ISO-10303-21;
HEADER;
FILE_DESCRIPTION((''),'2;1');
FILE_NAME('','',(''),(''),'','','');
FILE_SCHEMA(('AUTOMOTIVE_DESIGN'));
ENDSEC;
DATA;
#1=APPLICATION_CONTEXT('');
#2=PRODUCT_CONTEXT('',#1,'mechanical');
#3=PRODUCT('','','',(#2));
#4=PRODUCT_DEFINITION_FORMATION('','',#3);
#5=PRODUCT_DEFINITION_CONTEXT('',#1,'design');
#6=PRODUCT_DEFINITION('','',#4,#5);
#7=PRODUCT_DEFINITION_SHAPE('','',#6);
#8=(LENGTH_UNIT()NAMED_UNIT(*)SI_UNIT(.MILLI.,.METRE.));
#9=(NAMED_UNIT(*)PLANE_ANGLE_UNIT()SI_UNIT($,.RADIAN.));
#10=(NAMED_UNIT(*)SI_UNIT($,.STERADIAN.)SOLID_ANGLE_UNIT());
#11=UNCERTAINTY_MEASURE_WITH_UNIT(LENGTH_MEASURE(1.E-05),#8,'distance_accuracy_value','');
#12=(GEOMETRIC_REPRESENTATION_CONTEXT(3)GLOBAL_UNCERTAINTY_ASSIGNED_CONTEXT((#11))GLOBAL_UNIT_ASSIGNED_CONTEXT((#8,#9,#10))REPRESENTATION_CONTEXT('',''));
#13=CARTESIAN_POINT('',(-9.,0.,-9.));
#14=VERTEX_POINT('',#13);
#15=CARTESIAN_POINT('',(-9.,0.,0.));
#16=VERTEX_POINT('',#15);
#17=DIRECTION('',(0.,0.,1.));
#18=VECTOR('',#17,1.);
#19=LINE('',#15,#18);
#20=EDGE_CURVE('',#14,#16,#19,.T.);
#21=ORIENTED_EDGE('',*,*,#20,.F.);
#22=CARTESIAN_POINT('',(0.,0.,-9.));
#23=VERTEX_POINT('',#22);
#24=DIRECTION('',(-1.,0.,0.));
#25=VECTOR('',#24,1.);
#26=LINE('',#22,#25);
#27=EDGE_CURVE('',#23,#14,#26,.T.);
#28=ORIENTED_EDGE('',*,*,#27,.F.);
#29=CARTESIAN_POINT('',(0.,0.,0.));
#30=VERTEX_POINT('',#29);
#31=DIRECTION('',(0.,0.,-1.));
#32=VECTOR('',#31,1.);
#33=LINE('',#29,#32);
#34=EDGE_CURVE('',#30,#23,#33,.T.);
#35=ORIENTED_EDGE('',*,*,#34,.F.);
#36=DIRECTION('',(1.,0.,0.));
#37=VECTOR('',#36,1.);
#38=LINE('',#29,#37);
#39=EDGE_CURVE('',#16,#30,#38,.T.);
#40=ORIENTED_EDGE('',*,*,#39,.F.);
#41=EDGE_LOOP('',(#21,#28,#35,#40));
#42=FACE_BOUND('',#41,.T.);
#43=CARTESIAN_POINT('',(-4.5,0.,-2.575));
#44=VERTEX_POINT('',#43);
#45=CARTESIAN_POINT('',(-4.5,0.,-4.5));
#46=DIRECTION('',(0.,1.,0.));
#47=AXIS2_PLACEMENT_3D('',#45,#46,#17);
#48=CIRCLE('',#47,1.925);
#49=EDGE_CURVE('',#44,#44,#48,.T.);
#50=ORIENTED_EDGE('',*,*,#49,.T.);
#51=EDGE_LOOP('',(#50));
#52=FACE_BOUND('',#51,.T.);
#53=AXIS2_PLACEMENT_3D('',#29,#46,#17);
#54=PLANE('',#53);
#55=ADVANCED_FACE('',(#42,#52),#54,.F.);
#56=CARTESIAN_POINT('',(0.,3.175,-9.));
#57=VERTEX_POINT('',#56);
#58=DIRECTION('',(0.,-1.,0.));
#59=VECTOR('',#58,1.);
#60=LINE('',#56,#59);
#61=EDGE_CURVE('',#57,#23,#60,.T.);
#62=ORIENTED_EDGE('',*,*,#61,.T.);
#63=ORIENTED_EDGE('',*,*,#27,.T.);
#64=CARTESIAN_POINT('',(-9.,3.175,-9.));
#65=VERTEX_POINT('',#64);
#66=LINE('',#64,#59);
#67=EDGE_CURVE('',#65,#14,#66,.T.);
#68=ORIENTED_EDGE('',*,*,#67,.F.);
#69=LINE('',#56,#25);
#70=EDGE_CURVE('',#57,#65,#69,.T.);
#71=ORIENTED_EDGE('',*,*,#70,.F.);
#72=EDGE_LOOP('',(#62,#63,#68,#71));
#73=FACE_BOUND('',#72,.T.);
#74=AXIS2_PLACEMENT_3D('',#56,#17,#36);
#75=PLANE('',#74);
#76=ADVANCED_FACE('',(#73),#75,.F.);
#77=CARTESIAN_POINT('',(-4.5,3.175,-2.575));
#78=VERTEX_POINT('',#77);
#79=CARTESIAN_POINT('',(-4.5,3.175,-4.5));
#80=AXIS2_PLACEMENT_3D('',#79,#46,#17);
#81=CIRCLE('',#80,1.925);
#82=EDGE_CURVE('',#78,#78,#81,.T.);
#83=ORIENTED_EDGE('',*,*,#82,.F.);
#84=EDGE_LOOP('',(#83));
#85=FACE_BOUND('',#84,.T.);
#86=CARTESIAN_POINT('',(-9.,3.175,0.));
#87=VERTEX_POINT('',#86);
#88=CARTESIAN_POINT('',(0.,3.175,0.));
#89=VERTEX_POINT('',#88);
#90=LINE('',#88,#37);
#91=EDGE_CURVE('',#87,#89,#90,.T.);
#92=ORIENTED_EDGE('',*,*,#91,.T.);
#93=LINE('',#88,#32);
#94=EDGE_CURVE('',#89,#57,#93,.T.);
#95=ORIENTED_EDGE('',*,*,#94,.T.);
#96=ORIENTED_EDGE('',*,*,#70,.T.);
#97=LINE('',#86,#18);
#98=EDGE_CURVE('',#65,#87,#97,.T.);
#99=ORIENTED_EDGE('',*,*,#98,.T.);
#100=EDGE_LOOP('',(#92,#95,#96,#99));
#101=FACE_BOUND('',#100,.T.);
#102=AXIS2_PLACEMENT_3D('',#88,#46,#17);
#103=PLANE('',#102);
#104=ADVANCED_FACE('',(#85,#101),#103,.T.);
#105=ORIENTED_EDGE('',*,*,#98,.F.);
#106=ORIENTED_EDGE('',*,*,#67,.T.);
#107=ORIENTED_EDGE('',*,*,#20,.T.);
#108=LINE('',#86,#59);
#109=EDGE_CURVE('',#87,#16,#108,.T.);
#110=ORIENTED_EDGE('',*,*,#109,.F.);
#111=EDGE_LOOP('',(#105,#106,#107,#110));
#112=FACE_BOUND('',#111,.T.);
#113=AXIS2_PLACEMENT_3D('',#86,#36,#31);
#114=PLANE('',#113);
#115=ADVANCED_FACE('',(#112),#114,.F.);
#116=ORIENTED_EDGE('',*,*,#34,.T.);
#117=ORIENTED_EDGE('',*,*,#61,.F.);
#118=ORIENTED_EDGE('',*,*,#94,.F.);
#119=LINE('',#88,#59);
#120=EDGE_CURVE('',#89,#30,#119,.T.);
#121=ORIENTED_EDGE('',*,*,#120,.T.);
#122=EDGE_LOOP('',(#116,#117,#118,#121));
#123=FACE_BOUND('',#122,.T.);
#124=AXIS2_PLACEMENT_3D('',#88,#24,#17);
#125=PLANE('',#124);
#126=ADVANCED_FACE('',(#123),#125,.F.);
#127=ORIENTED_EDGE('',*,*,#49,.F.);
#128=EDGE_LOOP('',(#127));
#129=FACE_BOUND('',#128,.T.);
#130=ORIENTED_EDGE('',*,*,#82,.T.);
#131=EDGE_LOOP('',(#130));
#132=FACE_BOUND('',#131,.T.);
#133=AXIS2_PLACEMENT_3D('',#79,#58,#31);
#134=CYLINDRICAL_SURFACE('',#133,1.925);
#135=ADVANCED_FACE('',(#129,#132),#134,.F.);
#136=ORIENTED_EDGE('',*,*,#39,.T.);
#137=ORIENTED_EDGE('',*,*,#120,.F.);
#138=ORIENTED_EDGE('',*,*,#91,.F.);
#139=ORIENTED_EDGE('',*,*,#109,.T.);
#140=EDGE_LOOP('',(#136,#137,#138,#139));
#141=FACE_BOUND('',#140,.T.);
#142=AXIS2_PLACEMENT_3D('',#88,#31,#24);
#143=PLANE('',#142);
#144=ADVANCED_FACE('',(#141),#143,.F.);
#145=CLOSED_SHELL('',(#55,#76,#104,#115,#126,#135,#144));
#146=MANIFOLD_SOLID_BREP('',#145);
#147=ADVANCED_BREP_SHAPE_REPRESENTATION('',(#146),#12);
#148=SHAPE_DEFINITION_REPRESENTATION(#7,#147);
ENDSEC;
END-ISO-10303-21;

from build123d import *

# Parameters (mm, degrees)
SKETCH2_W           = 9
SKETCH2_H           = 9
SKETCH2_R           = 1.925
BOSS_EXTRUDE1_DEPTH = 3.175


with BuildPart() as part:
    # Sketch2 → Boss-Extrude1 (new body)
    with BuildSketch(Plane(origin=(0, 0, 0), x_dir=(1, 0, 0), z_dir=(0, 1, 0))):
        with Locations((-4.5, 4.5)):
            Rectangle(SKETCH2_W, SKETCH2_H)
        with Locations(Location((-4.5, 4.5, 0), (0, 0, 270))):
            Circle(SKETCH2_R, mode=Mode.SUBTRACT)
    extrude(amount=BOSS_EXTRUDE1_DEPTH)


solid = part.part
